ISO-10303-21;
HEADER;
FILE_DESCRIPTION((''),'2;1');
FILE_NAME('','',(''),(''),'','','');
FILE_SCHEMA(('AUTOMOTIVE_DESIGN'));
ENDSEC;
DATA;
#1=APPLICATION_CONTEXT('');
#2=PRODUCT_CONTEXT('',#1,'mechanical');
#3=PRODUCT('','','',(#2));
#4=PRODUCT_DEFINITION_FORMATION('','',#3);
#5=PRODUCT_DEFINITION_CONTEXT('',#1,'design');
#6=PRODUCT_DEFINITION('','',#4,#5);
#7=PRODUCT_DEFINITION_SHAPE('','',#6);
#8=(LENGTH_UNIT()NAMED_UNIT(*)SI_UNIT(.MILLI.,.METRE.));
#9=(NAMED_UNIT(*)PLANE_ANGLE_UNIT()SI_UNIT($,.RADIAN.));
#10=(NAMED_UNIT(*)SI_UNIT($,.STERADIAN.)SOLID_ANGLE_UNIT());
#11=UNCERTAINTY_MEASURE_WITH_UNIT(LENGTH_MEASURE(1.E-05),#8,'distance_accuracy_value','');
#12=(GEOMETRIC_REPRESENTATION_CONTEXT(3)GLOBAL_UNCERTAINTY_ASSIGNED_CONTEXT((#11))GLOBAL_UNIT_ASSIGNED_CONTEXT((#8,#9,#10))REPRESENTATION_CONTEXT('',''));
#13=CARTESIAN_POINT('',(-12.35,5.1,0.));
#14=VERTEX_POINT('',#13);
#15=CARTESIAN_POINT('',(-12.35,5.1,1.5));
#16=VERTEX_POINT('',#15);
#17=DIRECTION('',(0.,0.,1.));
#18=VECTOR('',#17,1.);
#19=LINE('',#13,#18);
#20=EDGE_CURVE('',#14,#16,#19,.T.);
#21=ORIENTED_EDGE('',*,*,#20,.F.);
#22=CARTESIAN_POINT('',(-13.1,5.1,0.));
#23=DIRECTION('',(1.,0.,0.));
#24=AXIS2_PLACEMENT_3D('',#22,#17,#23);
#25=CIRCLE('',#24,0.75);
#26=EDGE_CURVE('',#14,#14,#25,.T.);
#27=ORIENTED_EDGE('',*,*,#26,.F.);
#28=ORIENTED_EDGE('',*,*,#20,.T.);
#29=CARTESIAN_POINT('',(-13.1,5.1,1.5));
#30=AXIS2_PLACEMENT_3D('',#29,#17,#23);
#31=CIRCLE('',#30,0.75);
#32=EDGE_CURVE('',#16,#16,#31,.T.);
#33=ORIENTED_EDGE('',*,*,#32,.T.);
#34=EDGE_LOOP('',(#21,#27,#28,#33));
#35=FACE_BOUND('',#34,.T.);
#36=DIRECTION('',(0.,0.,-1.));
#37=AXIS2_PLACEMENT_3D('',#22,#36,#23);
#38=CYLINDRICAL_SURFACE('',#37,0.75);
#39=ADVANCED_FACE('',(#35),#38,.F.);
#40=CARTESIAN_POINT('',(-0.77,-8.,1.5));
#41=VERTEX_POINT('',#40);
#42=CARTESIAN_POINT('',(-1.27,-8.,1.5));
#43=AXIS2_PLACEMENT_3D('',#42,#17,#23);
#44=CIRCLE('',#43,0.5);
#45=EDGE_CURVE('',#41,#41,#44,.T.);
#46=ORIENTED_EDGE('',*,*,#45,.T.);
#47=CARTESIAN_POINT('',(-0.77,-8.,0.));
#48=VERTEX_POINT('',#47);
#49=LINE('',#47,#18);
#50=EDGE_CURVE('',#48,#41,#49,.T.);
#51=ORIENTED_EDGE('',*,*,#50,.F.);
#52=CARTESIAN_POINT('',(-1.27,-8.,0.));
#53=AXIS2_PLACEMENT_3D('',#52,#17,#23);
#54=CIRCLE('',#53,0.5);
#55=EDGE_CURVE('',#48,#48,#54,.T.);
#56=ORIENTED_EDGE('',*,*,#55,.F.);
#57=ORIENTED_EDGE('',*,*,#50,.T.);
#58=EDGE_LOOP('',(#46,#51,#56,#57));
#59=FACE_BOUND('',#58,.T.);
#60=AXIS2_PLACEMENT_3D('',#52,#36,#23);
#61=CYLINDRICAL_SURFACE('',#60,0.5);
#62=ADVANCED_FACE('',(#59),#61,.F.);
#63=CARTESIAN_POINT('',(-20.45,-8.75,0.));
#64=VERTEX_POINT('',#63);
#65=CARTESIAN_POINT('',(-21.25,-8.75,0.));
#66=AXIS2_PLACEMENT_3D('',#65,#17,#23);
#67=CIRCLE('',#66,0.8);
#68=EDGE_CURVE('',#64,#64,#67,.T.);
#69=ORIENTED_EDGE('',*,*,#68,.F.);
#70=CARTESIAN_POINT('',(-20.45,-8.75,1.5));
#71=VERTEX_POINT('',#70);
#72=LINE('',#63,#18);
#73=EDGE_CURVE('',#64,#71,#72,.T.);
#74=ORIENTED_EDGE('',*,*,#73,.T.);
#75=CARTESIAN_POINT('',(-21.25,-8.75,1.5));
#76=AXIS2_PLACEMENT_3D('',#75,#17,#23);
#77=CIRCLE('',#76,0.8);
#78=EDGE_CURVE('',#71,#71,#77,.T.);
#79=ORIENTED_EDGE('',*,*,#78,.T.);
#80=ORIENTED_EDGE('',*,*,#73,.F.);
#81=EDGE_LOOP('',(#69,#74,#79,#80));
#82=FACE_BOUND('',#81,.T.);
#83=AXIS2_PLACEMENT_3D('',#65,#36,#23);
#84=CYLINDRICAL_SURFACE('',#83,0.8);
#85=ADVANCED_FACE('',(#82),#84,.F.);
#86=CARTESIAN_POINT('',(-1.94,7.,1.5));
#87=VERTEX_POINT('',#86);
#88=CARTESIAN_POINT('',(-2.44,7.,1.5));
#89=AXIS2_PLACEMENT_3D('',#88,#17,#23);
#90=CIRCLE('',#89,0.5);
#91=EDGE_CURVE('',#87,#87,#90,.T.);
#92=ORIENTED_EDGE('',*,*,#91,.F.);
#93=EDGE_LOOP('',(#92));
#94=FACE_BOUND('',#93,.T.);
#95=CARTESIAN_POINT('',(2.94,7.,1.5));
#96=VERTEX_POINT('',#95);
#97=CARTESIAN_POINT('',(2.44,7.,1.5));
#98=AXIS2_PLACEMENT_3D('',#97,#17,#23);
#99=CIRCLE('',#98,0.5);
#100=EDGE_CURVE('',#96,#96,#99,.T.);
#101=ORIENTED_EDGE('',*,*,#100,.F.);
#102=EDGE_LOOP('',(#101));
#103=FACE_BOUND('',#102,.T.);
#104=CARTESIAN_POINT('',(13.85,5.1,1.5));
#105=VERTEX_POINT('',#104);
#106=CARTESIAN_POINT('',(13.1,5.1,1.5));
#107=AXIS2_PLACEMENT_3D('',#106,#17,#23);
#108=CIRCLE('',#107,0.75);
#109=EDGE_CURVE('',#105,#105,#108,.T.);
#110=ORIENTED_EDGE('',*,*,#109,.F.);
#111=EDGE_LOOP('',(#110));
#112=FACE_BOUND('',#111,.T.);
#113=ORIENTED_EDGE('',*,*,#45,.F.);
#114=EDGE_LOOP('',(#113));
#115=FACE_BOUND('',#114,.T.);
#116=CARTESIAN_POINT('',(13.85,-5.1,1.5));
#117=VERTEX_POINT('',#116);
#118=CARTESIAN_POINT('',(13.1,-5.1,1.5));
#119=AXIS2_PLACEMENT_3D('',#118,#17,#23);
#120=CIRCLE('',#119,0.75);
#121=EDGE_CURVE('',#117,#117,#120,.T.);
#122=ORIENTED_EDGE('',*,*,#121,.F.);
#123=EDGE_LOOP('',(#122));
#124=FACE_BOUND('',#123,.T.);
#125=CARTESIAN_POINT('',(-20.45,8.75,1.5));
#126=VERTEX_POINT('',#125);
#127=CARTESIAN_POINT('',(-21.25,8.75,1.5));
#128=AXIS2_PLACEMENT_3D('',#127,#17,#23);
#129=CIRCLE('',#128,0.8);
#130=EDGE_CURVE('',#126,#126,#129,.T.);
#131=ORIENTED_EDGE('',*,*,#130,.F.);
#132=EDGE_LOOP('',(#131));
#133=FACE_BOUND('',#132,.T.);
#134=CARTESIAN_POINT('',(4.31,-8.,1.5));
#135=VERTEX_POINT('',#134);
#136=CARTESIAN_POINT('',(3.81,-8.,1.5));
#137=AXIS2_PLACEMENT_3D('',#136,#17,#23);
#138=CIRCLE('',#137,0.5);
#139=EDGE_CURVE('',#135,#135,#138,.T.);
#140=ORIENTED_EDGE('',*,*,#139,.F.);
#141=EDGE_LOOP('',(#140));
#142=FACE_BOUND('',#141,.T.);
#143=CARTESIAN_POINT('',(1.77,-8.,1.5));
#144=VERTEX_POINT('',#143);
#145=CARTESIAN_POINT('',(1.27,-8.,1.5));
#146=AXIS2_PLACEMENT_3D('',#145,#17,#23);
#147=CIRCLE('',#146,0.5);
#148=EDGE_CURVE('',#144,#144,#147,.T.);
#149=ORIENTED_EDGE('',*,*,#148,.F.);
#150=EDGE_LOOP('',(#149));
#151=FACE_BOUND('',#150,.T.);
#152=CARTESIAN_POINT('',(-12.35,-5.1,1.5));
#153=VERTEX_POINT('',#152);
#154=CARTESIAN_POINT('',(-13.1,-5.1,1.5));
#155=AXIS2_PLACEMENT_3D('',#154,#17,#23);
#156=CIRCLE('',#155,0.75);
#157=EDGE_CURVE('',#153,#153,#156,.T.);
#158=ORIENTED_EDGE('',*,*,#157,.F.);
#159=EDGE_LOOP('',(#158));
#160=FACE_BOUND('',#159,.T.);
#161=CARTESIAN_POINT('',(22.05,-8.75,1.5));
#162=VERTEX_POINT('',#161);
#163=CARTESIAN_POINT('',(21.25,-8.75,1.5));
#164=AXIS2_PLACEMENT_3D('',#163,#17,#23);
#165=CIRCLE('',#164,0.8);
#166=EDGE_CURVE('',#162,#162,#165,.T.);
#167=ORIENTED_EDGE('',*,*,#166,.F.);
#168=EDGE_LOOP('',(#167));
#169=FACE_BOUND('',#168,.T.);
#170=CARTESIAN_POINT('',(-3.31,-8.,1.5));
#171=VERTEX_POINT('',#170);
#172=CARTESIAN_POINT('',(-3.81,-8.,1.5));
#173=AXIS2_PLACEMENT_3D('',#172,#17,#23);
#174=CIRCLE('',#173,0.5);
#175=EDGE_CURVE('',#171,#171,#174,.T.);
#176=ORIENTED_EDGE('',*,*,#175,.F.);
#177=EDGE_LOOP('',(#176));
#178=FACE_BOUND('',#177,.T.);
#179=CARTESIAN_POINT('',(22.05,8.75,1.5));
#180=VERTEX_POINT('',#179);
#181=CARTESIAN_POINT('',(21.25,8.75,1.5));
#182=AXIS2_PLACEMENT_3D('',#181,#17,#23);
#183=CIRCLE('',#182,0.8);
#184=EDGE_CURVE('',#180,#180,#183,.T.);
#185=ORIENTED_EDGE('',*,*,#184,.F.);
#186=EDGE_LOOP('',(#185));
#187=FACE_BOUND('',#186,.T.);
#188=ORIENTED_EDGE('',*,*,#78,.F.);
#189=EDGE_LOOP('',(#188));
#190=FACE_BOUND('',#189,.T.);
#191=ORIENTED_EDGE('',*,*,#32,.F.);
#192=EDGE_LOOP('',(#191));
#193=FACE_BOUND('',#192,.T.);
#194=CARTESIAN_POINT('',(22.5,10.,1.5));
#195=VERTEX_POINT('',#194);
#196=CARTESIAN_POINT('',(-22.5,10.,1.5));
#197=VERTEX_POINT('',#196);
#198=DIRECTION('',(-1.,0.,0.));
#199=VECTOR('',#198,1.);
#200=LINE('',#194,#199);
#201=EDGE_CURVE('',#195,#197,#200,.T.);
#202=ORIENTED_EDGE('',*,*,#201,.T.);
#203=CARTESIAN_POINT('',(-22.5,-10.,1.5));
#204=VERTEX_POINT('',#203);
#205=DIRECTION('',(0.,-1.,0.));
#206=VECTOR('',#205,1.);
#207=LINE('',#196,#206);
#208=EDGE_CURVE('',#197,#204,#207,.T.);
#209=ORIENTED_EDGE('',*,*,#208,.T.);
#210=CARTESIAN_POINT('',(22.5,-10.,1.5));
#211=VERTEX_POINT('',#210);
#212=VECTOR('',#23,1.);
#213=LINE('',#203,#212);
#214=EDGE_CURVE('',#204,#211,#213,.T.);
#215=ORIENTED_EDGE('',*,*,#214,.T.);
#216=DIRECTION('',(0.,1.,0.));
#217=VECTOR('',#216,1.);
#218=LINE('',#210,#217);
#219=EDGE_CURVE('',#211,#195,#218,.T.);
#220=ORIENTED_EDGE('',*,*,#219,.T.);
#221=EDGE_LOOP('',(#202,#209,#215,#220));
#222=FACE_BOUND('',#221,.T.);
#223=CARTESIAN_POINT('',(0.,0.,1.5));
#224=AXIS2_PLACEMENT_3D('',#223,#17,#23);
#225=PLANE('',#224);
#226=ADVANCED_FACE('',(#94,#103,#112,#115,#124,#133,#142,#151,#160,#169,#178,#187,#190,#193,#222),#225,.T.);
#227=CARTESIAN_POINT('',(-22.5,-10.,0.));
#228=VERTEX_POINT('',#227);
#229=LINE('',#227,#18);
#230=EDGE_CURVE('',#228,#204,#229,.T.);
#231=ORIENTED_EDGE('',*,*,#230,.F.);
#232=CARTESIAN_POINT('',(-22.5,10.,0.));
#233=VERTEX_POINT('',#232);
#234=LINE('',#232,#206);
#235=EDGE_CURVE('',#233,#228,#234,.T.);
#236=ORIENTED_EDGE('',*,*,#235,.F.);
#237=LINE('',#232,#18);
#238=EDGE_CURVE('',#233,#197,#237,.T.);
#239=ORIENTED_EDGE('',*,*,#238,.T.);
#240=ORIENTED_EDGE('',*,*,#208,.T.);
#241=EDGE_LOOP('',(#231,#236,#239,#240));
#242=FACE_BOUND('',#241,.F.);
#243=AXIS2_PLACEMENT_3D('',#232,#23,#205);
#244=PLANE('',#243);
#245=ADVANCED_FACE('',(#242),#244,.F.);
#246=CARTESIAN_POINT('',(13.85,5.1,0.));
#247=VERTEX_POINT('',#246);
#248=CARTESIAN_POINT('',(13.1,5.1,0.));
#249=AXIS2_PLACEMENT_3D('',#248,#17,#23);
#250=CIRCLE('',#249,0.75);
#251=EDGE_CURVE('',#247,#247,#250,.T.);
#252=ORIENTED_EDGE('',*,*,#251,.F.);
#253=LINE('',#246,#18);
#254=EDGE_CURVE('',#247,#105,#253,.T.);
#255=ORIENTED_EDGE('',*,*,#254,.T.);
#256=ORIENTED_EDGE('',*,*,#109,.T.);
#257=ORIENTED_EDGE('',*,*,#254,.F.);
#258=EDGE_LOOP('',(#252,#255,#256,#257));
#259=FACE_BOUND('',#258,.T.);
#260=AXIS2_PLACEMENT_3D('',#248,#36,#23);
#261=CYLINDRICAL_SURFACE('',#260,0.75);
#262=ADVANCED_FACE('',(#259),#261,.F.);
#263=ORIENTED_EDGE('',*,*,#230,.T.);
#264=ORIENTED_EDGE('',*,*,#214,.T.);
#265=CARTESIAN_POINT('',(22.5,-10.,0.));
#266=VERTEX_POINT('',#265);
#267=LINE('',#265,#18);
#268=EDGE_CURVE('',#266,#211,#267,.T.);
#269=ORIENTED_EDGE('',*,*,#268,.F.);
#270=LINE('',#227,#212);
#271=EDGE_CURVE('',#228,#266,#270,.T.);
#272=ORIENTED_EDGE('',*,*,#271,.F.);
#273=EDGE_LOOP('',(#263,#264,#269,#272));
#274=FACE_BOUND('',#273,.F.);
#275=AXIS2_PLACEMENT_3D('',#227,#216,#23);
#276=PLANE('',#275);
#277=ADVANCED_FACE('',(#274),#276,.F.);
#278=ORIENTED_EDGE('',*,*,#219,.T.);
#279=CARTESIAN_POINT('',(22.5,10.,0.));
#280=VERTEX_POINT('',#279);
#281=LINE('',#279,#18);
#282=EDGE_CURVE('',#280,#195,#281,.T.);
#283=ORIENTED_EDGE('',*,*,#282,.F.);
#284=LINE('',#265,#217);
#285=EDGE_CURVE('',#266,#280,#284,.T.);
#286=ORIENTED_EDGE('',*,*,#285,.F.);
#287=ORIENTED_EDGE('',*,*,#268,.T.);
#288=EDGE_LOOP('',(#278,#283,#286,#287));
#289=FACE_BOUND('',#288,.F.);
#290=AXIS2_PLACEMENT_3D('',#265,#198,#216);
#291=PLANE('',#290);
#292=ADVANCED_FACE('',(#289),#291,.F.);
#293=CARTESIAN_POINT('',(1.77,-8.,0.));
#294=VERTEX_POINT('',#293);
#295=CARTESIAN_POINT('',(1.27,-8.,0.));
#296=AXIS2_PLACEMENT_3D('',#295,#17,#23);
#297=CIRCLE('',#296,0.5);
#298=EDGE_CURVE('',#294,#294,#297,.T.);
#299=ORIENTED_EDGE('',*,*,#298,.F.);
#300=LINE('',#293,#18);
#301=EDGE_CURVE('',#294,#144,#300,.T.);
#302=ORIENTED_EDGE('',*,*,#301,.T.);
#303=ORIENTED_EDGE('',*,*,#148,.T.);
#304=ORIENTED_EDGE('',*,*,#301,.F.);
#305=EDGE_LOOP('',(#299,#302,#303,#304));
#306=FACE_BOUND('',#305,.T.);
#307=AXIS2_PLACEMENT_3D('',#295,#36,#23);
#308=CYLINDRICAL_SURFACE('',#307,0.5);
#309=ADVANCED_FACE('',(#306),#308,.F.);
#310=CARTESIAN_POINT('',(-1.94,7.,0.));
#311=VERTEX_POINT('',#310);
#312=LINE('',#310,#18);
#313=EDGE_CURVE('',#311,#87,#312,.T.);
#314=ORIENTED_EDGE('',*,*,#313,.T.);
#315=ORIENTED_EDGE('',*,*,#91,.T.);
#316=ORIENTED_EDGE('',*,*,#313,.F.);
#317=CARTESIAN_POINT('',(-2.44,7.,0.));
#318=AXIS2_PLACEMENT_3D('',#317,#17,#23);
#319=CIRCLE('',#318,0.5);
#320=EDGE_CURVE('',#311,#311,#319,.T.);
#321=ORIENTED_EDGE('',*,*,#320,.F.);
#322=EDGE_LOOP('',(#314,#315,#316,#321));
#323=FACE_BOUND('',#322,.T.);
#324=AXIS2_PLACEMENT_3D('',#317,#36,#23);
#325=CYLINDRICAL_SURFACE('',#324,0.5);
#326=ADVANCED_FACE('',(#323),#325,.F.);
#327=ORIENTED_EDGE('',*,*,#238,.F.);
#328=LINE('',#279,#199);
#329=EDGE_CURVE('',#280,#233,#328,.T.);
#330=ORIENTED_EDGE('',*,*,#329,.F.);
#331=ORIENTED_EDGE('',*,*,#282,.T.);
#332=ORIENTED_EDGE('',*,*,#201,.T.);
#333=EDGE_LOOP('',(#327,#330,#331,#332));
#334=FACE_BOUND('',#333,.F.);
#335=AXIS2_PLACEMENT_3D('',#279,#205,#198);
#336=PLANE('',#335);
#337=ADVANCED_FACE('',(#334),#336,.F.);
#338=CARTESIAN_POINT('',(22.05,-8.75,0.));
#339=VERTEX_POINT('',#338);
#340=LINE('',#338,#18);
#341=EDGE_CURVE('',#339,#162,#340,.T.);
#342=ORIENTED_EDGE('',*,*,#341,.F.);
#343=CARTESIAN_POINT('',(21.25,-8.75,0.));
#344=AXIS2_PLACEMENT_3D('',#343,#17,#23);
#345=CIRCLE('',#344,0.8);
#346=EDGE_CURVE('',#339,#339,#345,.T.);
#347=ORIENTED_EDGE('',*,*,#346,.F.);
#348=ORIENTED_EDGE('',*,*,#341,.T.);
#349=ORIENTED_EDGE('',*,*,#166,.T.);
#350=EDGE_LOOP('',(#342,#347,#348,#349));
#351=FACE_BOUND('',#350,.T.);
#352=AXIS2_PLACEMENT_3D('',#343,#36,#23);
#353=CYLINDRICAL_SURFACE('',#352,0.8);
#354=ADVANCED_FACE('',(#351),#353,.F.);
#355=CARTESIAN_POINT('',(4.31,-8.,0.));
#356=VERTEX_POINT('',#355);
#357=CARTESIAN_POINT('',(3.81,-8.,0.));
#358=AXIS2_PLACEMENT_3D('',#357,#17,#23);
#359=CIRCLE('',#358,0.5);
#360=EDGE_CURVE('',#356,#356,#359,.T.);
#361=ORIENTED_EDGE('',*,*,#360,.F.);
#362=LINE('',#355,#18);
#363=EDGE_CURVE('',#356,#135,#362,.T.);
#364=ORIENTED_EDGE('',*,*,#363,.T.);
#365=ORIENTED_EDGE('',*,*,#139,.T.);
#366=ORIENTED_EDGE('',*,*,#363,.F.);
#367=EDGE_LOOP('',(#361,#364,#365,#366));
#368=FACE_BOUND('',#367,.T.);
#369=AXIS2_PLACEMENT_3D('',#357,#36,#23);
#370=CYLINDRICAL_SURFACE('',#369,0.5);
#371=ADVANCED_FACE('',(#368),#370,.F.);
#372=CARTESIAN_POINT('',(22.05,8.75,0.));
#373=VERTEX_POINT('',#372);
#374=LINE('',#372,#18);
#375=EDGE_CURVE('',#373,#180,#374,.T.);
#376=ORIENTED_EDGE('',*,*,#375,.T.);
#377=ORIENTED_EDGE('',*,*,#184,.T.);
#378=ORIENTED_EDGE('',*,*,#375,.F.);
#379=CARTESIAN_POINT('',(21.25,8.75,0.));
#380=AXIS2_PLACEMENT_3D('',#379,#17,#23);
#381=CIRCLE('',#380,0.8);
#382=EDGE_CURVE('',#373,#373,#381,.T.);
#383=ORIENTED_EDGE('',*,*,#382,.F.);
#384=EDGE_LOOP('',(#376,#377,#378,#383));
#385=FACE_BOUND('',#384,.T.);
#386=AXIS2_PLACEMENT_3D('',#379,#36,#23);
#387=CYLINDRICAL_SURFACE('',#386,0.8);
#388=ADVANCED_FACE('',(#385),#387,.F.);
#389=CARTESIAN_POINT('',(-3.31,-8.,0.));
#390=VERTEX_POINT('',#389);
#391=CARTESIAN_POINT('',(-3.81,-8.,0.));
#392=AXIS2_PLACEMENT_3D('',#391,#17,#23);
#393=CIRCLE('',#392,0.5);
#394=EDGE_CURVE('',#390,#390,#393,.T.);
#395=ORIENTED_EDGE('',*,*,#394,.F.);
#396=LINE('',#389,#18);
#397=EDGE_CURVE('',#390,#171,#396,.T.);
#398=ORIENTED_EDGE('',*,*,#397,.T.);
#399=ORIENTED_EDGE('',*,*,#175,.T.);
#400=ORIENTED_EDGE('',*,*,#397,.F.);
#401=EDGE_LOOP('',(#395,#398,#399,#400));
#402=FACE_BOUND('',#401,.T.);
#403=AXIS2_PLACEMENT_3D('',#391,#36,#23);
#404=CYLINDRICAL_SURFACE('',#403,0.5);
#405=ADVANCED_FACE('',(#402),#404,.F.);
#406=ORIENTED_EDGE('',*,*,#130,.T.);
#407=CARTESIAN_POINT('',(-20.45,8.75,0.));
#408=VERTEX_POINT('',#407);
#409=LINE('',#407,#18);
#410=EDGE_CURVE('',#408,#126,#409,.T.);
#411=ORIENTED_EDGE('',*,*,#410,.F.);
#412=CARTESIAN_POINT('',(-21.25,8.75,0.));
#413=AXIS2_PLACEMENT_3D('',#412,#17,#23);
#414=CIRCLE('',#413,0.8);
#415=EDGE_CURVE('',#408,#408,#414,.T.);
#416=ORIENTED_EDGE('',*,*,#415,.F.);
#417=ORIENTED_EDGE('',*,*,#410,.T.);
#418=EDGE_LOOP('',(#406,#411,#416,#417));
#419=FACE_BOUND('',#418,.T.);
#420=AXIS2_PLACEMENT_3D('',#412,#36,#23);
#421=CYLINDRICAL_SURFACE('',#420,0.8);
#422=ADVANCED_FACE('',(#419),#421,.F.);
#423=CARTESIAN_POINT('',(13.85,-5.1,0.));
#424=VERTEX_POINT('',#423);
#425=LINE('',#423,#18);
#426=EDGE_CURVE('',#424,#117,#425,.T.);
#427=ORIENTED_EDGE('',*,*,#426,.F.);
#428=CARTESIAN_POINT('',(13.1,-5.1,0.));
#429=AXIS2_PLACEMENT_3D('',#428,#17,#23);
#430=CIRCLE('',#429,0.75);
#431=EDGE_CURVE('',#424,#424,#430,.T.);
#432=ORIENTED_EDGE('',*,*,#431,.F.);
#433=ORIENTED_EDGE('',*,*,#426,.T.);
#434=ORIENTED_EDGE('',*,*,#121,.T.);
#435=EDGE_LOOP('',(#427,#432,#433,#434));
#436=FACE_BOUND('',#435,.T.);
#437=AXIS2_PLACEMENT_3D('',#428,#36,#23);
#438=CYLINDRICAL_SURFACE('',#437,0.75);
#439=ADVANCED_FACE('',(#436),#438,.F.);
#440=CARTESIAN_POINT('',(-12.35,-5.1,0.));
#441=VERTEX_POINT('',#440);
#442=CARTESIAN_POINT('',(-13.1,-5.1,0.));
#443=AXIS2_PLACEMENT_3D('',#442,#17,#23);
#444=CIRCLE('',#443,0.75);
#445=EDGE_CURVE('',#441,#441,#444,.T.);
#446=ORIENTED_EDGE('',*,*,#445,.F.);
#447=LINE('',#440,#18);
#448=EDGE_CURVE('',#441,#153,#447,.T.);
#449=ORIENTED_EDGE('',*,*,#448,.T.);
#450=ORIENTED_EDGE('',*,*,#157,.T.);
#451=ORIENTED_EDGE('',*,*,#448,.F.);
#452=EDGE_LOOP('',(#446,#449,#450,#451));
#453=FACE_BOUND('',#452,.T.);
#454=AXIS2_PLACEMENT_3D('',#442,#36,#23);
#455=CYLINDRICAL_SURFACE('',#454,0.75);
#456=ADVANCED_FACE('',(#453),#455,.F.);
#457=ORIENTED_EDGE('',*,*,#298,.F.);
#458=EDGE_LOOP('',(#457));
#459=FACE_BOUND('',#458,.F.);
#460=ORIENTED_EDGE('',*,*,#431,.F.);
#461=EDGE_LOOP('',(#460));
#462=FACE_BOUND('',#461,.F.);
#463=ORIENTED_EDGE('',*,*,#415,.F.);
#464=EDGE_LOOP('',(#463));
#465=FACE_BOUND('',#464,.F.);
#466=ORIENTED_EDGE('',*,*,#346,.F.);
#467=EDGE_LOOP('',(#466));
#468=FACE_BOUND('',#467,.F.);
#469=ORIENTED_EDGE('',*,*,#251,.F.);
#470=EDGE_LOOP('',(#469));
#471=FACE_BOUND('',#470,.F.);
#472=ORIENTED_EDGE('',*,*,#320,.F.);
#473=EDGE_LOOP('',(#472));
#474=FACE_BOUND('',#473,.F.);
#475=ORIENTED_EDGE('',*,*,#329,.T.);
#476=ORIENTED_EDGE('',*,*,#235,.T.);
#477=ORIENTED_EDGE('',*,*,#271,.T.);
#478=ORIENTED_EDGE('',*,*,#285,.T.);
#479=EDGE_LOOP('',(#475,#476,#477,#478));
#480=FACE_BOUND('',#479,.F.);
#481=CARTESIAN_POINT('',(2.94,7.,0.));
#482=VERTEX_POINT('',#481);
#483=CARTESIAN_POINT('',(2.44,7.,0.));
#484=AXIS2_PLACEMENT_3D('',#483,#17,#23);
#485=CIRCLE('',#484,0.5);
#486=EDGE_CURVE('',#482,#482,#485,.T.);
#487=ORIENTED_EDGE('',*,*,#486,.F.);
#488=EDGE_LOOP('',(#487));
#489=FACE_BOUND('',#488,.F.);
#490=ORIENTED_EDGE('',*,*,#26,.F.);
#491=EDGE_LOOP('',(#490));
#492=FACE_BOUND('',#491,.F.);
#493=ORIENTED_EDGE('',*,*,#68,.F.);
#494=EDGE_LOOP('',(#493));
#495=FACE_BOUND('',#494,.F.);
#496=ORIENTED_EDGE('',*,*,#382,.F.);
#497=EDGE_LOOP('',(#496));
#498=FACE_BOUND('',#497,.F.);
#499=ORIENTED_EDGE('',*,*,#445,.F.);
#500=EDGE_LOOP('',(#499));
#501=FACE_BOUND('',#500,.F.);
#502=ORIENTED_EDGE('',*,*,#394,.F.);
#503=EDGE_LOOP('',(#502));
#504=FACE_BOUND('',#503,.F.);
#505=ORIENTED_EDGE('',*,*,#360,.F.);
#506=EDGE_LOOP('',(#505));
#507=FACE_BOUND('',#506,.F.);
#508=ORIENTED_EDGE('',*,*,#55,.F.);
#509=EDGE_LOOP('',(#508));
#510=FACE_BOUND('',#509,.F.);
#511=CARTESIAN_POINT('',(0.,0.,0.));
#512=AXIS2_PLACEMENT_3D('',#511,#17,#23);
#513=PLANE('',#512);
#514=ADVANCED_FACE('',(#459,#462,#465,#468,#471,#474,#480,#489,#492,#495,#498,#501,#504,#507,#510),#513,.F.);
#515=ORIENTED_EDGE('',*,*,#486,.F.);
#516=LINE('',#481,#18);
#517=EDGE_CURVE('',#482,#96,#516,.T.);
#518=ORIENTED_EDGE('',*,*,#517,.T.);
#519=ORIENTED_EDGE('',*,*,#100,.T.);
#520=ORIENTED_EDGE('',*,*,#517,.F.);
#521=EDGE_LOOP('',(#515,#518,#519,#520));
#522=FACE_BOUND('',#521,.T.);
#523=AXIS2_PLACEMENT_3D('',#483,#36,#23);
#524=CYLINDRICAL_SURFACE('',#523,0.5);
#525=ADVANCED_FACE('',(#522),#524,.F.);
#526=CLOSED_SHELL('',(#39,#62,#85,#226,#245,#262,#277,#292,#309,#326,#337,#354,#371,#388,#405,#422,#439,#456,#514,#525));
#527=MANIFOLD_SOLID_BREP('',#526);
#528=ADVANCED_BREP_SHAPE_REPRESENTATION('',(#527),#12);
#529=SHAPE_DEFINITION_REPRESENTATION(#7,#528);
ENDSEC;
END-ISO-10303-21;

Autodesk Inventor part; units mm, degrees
ref_plane "YZ Plane" through (0, 0, 0) normal (1, 0, 0) x (0, 1, 0)
ref_plane "XZ Plane" through (0, 0, 0) normal (0, 1, 0) x (-1, 0, 0)
ref_plane "XY Plane" through (0, 0, 0) normal (0, 0, 1) x (1, 0, 0)
sketch "board" plane through (0, 0, 0) normal (0, 0, 1) x (1, 0, 0)
  line L0 (22.5, 10) -> (-22.5, 10)
  line L1 (-22.5, 10) -> (-22.5, -10)
  line L2 (-22.5, -10) -> (22.5, -10)
  line L3 (22.5, -10) -> (22.5, 10)
  line L4 (22.5, 10) -> (-22.5, -10) construction
  line L5 (-22.5, 10) -> (22.5, -10) construction
  circle A0 centre (-3.81, -8) radius 0.5
  circle A1 centre (-21.25, 8.75) radius 0.8
  circle A2 centre (21.25, 8.75) radius 0.8
  circle A3 centre (-21.25, -8.75) radius 0.8
  circle A4 centre (21.25, -8.75) radius 0.8
  circle A5 centre (-1.27, -8) radius 0.5
  circle A6 centre (1.27, -8) radius 0.5
  circle A7 centre (3.81, -8) radius 0.5
  circle A8 centre (-2.44, 7) radius 0.5
  circle A9 centre (2.44, 7) radius 0.5
  circle A10 centre (-13.1, 5.1) radius 0.75
  circle A11 centre (13.1, 5.1) radius 0.75
  circle A12 centre (-13.1, -5.1) radius 0.75
  circle A13 centre (13.1, -5.1) radius 0.75
  point P0 (0, 0)
  point P1 (0, 0)
  point P2 (13.2529, 5)
  dimension "d34" = 45
  dimension "d35" = 20
  dimension "d39" = 1
  dimension "d44" = 1.6
  dimension "d48" = 1.25
  dimension "d51" = 42.5
  dimension "d54" = 17.5
  dimension "d57" = 1.25
  dimension "d60" = 2.54
  dimension "d65" = 3.81
  dimension "d66" = 2
  dimension "d67" = 4.88
  dimension "d68" = 2.44
  dimension "d69" = 1
  dimension "d70" = 1
  dimension "d71" = 3
  dimension "d72" = 1.5
  dimension "d75" = 26.2
  dimension "d78" = 10.2
  dimension "d81" = 5.1
  dimension "d82" = 13.1
extrude "Extrusion2" add sketch "board" along normal blind 1.5
equation "\"d68\" = 0.5 * d67"
equation "\"d70\" = d69"
equation "\"d81\" = 0.5 * d78"
equation "\"d82\" = 0.5 * d75"
properties part number "Board"
